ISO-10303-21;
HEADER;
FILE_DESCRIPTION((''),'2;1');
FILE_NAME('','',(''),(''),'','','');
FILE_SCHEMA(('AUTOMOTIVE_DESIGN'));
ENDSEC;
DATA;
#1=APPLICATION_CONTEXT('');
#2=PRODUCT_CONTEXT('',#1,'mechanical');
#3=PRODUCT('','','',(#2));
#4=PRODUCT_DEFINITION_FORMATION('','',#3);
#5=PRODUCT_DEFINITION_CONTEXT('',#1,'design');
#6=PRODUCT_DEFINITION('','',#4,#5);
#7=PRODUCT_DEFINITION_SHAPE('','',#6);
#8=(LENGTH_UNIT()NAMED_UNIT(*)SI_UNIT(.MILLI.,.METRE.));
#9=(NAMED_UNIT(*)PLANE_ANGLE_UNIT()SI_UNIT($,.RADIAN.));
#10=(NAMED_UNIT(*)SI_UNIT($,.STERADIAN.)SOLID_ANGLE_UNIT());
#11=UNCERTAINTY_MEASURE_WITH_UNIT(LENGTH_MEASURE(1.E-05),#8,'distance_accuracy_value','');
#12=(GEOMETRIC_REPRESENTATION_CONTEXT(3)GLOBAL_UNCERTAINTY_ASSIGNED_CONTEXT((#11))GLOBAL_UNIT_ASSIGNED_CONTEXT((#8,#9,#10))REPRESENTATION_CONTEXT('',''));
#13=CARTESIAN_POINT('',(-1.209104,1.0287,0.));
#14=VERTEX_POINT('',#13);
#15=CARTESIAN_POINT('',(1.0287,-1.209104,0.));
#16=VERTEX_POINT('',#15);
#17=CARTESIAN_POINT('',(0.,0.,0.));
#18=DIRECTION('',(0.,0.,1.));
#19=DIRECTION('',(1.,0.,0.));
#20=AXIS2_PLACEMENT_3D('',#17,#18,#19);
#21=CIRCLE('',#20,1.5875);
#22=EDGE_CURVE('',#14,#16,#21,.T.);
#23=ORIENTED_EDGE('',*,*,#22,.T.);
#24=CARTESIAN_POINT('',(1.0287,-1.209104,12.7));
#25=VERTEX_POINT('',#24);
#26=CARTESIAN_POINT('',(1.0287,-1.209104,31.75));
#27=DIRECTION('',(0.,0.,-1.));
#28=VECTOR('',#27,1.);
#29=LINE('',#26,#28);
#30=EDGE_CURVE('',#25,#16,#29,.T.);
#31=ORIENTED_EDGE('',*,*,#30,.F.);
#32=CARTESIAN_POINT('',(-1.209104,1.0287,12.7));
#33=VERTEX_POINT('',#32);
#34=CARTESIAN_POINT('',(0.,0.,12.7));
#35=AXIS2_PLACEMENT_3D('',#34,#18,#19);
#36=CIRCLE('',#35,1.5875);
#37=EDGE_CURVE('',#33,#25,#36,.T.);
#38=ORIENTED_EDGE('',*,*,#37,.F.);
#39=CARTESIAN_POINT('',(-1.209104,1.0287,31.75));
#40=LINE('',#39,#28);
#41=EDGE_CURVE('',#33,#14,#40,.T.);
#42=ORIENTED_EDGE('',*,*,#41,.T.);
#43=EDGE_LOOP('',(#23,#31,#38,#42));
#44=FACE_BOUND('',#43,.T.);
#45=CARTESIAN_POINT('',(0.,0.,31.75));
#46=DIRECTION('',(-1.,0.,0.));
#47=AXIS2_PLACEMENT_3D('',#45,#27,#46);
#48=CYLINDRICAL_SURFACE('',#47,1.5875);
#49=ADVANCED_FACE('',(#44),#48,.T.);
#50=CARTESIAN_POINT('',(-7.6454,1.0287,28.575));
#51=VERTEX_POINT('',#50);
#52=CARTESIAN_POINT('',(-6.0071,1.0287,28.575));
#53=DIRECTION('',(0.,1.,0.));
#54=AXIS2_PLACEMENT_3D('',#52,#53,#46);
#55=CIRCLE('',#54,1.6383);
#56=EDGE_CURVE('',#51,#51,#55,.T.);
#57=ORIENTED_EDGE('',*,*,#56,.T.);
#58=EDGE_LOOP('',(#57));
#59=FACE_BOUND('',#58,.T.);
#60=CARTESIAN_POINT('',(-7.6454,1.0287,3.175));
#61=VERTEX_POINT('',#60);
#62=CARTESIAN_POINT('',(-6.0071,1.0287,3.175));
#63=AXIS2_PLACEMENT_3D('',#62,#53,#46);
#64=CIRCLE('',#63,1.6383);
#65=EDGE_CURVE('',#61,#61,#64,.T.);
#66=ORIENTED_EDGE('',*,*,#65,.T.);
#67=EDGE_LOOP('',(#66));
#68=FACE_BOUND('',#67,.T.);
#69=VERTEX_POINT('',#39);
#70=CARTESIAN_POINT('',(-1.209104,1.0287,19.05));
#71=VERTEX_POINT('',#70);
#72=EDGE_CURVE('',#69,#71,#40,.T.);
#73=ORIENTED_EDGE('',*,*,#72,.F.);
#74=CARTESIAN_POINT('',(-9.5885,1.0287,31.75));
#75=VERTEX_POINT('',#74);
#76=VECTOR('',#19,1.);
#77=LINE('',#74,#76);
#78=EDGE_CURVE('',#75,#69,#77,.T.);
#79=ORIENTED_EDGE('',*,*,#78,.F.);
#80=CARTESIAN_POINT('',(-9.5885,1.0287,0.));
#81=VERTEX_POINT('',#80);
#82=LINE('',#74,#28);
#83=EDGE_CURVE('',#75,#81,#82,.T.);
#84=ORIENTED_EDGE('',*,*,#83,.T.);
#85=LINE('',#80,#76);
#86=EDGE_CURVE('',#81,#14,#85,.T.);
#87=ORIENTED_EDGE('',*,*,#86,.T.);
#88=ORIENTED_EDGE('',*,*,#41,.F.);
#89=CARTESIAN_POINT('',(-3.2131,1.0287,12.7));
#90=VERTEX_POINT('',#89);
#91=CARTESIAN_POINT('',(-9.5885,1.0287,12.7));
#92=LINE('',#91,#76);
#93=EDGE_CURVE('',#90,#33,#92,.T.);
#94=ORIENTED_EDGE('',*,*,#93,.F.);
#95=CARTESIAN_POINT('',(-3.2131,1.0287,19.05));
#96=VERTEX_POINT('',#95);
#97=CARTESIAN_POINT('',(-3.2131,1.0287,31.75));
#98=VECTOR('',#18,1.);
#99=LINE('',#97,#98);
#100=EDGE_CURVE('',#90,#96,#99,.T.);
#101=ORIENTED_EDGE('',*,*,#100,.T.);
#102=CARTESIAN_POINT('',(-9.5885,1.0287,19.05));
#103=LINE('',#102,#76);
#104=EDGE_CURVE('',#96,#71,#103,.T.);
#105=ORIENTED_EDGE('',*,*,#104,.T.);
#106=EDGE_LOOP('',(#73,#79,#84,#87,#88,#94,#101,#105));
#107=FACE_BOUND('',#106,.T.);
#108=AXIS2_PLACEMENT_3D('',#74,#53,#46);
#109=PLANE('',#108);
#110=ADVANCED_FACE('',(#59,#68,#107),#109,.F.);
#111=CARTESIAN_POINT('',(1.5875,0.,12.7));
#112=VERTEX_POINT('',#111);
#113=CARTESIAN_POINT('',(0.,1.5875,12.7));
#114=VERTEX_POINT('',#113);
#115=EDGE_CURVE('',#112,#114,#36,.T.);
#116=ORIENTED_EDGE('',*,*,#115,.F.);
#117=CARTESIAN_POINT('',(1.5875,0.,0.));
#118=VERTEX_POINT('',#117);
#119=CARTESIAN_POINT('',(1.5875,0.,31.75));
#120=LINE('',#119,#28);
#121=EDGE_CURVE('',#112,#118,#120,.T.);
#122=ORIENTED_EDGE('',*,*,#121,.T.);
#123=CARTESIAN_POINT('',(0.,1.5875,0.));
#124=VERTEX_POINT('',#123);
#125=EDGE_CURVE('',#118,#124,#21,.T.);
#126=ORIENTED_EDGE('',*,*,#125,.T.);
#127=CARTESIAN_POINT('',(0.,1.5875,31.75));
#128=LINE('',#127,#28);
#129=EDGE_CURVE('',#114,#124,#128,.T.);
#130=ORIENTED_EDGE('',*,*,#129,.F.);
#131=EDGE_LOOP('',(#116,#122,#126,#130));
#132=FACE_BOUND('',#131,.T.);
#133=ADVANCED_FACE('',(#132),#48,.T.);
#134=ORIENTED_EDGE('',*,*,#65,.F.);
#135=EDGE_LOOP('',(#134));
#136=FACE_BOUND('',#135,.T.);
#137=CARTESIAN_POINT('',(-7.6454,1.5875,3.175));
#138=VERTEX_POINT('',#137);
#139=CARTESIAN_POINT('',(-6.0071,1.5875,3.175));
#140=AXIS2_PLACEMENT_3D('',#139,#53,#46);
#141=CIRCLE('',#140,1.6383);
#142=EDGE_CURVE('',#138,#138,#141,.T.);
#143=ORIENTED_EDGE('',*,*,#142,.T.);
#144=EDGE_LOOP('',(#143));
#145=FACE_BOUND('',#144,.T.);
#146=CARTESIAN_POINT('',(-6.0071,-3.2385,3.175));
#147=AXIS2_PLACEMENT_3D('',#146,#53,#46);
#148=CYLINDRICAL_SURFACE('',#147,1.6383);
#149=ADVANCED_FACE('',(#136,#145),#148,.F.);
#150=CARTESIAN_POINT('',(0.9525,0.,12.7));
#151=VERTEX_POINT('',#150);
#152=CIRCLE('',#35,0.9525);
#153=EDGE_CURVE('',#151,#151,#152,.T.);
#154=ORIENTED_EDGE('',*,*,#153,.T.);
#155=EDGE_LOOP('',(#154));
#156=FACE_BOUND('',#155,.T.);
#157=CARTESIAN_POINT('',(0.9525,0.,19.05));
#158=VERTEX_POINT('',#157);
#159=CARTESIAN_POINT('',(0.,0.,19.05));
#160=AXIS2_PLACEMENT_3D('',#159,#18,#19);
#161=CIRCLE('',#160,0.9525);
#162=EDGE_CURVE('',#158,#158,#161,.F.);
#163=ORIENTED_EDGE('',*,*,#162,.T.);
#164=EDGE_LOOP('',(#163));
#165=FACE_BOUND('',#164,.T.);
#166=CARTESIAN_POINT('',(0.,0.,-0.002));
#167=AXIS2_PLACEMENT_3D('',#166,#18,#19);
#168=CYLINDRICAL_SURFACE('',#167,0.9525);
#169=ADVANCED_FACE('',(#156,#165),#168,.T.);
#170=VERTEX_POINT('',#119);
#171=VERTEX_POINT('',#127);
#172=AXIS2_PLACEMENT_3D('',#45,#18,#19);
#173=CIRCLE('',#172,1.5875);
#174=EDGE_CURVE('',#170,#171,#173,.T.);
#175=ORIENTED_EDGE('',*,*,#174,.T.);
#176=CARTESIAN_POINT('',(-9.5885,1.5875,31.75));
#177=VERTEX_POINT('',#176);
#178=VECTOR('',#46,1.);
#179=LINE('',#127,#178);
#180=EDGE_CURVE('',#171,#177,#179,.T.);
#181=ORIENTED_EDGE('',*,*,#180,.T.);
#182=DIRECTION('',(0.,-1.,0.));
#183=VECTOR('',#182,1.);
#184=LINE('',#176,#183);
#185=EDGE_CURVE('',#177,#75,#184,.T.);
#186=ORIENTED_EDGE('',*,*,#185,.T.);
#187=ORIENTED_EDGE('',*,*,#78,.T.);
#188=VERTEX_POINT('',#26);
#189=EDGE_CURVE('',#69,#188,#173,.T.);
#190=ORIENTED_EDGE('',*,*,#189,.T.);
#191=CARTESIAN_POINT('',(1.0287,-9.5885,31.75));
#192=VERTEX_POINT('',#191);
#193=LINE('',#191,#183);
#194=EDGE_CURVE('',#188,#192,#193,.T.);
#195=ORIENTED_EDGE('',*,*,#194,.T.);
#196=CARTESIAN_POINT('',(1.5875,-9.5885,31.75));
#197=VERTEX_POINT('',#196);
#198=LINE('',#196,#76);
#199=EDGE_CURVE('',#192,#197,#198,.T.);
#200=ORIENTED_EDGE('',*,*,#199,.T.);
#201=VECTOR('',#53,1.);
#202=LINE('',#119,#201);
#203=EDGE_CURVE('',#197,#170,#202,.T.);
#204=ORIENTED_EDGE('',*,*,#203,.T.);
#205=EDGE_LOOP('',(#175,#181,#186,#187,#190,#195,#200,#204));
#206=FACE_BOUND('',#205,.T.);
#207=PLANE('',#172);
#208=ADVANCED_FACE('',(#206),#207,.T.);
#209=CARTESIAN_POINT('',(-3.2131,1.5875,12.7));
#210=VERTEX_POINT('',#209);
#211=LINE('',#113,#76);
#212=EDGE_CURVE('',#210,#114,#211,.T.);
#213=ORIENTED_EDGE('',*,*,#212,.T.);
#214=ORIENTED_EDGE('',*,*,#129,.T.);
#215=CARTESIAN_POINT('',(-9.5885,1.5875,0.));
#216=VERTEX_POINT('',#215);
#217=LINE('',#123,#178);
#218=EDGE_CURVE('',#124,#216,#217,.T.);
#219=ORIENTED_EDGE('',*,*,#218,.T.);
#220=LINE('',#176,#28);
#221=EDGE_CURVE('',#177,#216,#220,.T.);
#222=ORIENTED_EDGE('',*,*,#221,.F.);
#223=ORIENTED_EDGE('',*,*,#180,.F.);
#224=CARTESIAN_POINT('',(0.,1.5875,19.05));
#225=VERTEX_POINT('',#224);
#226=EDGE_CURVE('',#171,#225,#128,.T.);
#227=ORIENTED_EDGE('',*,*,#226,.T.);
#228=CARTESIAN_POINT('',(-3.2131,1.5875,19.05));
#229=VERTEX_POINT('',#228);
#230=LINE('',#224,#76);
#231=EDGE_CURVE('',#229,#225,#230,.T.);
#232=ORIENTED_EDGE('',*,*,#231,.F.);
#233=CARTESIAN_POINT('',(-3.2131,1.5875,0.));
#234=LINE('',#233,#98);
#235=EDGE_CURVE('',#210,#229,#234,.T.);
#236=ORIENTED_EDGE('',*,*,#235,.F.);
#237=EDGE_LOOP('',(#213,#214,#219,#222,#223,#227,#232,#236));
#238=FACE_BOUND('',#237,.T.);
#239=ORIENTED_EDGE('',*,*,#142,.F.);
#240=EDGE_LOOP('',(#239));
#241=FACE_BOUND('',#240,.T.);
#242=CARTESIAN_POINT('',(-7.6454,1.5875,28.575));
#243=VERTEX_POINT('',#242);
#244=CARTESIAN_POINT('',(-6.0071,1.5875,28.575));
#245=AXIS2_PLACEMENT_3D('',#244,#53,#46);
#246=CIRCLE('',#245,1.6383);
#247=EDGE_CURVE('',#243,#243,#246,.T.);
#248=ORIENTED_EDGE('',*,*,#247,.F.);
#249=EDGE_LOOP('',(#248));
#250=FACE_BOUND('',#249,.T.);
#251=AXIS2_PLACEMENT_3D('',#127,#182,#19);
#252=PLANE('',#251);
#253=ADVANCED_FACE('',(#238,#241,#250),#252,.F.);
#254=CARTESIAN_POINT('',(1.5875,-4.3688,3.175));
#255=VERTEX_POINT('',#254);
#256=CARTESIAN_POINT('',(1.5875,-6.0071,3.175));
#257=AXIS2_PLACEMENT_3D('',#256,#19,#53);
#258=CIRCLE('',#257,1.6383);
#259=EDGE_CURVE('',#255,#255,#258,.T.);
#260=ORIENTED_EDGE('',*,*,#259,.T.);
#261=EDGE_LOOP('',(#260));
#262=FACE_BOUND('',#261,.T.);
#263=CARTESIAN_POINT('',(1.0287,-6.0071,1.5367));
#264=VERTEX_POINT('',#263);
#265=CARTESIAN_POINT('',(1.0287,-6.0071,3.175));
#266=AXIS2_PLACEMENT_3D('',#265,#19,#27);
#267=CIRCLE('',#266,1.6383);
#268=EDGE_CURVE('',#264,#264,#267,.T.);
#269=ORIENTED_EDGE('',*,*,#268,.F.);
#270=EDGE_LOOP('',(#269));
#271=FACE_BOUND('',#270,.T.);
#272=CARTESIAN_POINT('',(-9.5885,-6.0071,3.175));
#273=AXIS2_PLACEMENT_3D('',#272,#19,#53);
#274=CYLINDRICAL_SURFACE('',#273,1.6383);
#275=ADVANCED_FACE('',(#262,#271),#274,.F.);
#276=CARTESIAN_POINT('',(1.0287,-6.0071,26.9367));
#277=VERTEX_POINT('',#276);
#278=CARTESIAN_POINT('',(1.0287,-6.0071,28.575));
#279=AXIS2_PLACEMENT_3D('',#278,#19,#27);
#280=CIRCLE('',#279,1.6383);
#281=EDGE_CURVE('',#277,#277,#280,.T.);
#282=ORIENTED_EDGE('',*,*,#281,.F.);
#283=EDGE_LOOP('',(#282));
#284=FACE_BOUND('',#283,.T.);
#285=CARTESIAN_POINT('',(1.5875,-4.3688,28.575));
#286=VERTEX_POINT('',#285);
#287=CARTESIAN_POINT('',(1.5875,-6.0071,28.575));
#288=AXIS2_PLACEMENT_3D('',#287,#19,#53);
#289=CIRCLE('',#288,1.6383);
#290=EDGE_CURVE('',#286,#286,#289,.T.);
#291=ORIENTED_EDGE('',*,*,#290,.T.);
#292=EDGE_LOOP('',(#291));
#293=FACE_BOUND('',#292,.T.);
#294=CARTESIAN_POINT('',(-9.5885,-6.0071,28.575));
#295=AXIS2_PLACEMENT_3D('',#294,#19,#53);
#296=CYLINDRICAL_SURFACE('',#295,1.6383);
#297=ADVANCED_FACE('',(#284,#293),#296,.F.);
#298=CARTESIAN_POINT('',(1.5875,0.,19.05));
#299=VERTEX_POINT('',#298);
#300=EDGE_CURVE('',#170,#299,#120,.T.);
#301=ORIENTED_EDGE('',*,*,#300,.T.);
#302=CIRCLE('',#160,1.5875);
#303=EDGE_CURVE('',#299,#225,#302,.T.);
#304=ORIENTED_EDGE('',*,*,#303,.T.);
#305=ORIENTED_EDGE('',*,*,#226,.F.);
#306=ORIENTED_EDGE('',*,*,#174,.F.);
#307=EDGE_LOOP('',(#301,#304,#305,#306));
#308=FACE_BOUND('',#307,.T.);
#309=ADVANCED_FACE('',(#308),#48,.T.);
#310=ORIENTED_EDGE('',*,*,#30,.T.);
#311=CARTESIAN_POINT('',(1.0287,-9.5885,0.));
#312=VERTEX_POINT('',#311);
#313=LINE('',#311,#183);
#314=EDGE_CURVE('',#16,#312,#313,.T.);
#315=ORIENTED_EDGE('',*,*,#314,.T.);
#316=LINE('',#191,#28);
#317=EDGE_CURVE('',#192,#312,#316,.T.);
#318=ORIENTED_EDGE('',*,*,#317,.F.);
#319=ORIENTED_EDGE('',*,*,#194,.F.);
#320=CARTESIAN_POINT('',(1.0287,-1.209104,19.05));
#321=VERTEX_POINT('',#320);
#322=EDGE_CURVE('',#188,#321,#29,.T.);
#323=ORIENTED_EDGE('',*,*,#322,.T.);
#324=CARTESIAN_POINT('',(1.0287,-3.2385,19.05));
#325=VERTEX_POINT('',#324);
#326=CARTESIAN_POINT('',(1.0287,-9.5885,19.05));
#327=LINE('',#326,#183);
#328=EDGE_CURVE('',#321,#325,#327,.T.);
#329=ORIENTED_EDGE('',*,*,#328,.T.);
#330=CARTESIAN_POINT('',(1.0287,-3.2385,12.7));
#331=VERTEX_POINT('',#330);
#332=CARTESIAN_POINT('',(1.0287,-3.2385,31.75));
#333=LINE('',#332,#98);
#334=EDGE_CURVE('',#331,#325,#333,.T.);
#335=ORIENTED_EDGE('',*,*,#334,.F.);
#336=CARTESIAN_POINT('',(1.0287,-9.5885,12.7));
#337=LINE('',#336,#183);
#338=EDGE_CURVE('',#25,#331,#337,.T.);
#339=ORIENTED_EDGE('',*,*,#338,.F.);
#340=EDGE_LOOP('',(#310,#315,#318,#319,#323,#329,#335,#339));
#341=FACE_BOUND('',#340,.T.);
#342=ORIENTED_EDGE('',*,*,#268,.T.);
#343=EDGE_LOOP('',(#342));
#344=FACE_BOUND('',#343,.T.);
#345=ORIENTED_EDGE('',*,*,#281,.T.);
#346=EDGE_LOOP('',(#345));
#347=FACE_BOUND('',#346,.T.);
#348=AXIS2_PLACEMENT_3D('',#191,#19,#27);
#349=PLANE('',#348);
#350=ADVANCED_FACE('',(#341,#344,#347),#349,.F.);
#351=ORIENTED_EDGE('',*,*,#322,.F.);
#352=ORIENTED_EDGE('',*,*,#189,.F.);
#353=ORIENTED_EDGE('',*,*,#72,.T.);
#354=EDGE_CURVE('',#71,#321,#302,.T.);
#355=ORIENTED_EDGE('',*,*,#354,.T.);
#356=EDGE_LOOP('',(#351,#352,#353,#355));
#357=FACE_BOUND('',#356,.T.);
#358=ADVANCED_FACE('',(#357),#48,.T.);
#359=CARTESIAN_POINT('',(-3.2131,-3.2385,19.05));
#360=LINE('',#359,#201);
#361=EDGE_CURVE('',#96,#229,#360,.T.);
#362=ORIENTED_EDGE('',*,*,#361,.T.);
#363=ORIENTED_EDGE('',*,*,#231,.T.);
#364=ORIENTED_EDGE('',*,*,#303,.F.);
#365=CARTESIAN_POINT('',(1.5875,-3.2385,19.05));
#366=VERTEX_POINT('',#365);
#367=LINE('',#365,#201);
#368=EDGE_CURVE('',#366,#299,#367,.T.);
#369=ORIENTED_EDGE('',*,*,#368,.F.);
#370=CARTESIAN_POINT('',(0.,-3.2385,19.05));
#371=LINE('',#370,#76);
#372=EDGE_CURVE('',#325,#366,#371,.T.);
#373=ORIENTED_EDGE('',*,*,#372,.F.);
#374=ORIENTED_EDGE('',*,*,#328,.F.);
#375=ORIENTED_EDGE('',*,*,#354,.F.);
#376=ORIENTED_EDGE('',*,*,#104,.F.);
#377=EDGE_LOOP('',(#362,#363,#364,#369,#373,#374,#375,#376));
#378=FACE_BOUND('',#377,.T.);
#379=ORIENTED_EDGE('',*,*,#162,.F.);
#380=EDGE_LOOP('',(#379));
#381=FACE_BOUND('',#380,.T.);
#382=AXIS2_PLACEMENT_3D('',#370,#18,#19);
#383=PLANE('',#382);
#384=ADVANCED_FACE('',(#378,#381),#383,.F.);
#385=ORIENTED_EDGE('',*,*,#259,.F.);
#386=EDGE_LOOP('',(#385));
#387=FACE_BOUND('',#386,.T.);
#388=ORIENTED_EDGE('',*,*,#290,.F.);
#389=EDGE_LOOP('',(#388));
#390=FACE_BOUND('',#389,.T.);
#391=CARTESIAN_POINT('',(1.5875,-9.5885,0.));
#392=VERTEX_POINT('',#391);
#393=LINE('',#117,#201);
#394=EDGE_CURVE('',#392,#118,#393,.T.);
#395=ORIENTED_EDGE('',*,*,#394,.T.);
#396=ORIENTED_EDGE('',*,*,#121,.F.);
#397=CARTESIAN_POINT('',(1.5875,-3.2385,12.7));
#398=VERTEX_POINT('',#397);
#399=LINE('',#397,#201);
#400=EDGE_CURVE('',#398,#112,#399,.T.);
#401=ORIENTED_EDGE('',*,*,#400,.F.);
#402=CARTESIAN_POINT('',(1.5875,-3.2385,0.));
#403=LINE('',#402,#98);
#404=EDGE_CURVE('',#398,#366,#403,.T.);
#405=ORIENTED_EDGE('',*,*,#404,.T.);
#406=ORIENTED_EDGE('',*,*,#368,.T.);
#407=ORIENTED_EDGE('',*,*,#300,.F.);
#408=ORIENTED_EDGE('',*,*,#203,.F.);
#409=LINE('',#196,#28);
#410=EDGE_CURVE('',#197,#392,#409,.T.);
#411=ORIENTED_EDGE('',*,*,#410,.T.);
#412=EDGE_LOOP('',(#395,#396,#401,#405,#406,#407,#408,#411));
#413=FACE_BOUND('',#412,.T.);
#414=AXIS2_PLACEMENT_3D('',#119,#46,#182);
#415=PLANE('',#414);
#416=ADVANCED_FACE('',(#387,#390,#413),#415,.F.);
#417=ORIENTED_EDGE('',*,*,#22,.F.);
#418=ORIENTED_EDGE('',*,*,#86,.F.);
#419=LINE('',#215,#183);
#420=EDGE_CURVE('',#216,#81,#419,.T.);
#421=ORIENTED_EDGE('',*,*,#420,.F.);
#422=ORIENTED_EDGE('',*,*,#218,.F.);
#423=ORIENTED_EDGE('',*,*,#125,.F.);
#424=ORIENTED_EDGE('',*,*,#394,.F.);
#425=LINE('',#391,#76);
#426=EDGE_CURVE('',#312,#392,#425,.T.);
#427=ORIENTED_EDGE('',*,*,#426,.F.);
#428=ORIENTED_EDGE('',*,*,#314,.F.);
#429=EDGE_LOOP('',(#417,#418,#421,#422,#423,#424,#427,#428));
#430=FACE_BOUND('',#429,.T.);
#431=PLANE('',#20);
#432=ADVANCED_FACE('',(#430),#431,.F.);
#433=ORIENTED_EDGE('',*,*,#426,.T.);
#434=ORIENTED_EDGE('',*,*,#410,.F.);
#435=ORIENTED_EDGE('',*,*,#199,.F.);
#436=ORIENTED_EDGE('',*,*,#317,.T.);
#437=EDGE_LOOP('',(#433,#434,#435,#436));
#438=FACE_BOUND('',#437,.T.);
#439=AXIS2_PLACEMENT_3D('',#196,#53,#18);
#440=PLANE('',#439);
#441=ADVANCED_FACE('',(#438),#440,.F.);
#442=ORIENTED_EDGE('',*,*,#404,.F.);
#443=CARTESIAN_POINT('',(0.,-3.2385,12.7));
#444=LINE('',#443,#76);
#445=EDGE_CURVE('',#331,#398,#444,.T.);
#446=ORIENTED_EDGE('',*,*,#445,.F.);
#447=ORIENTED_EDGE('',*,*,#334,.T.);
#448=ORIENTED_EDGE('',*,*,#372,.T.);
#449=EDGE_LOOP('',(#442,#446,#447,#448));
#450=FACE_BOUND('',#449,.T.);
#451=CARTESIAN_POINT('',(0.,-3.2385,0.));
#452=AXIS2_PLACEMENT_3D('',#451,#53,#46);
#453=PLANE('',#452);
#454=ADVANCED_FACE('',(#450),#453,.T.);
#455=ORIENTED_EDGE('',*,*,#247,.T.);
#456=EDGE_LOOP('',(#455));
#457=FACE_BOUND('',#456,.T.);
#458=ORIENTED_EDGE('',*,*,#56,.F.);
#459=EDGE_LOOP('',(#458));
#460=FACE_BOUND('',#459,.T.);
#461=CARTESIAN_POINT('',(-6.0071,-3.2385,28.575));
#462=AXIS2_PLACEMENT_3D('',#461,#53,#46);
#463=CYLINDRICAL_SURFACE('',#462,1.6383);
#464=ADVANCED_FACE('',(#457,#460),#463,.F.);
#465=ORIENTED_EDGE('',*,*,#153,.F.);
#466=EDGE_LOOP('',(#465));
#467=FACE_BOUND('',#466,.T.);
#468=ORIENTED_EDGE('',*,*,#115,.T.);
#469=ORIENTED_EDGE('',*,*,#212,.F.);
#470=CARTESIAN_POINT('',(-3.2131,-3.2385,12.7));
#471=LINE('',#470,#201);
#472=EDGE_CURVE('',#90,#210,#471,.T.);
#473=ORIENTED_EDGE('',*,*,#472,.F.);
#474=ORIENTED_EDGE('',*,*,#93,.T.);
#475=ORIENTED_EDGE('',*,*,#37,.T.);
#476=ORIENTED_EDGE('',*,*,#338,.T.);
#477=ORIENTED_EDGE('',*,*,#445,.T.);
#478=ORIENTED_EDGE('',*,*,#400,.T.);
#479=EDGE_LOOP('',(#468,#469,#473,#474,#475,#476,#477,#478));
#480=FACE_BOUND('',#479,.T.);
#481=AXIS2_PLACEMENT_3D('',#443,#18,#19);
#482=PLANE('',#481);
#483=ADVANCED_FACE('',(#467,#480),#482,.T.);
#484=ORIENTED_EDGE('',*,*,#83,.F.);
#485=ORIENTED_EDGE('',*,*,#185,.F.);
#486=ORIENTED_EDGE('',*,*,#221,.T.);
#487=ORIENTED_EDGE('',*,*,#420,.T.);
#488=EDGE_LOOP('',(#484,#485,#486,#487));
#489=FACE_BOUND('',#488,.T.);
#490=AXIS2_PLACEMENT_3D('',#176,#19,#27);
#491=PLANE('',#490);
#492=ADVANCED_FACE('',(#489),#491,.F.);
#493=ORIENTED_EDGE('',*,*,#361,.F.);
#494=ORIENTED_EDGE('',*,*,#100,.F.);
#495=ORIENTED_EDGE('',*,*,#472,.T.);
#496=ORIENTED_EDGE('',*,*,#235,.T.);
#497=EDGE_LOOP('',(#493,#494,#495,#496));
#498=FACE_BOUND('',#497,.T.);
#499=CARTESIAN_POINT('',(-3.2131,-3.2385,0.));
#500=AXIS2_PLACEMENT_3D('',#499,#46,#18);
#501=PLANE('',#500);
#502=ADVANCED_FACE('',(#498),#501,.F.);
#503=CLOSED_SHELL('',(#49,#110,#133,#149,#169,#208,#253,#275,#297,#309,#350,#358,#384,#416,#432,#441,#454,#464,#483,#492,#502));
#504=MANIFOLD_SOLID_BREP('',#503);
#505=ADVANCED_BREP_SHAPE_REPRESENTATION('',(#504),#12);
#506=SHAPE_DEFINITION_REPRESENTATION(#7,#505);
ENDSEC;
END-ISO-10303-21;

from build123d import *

# Parameters (mm, degrees)
BOSS_EXTRUDE1_DEPTH = 31.75
SKETCH2_R           = 1.6383
SKETCH2_W           = 3.2131
SKETCH2_H           = 6.35
SKETCH2_W_2         = 1.5875
CUT_EXTRUDE1_DEPTH  = 4.826
SKETCH3_R           = 1.6383
CUT_EXTRUDE2_DEPTH  = 12.176
BOSS_EXTRUDE2_REACH = 21.05
SKETCH4_R           = 0.9525


with BuildPart() as part:
    # Sketch1 → Boss-Extrude1 (new body)
    with BuildSketch(Plane.XY):
        with BuildLine():
            Line((0, 1.5875), (-9.5885, 1.5875))
            Line((-9.5885, 1.5875), (-9.5885, 1.0287))
            Line((-9.5885, 1.0287), (-1.209104032, 1.0287))
            ThreePointArc((-1.209104032, 1.0287), (-1.122532015, -1.122532015), (1.0287, -1.209104032))
            Line((1.0287, -1.209104032), (1.0287, -9.5885))
            Line((1.0287, -9.5885), (1.5875, -9.5885))
            Line((1.5875, -9.5885), (1.5875, 0))
            ThreePointArc((1.5875, 0), (1.122532015, 1.122532015), (0, 1.5875))
        make_face()
    extrude(amount=BOSS_EXTRUDE1_DEPTH)

    # Sketch2 → Cut-Extrude1 (cut)
    with BuildSketch(Plane(origin=(0, 1.5875, 0), x_dir=(1, 0, 0), z_dir=(0, 1, 0))):
        with Locations((-6.0071, -28.575)):
            Circle(SKETCH2_R)
        with Locations((-6.0071, -3.175)):
            Circle(SKETCH2_R)
        with Locations((-1.60655, -15.875)):
            Rectangle(SKETCH2_W, SKETCH2_H)
        with Locations((0.79375, -15.875)):
            Rectangle(SKETCH2_W_2, SKETCH2_H)
    extrude(amount=-CUT_EXTRUDE1_DEPTH, mode=Mode.SUBTRACT)

    # Sketch3 → Cut-Extrude2 (cut, through all)
    with BuildSketch(Plane(origin=(1.5875, 0, 0), x_dir=(0, 0, -1), z_dir=(1, 0, 0))):
        with Locations((-28.575, -6.0071)):
            Circle(SKETCH3_R)
        with Locations((-3.175, -6.0071)):
            Circle(SKETCH3_R)
    extrude(amount=-CUT_EXTRUDE2_DEPTH, mode=Mode.SUBTRACT)

    # Sketch4 → Boss-Extrude2 (add, up to next)
    with BuildSketch(Plane(origin=(0, 0, 19.05), x_dir=(-1, 0, 0), z_dir=(0, 0, -1)), mode=Mode.PRIVATE) as boss_extrude2_sk1:
        Circle(SKETCH4_R)
    boss_extrude2_tool1 = extrude(boss_extrude2_sk1.sketch, amount=BOSS_EXTRUDE2_REACH, mode=Mode.PRIVATE) - part.part
    add(boss_extrude2_tool1.solids().sort_by_distance((0, 0, 19.05))[0])


solid = part.part
